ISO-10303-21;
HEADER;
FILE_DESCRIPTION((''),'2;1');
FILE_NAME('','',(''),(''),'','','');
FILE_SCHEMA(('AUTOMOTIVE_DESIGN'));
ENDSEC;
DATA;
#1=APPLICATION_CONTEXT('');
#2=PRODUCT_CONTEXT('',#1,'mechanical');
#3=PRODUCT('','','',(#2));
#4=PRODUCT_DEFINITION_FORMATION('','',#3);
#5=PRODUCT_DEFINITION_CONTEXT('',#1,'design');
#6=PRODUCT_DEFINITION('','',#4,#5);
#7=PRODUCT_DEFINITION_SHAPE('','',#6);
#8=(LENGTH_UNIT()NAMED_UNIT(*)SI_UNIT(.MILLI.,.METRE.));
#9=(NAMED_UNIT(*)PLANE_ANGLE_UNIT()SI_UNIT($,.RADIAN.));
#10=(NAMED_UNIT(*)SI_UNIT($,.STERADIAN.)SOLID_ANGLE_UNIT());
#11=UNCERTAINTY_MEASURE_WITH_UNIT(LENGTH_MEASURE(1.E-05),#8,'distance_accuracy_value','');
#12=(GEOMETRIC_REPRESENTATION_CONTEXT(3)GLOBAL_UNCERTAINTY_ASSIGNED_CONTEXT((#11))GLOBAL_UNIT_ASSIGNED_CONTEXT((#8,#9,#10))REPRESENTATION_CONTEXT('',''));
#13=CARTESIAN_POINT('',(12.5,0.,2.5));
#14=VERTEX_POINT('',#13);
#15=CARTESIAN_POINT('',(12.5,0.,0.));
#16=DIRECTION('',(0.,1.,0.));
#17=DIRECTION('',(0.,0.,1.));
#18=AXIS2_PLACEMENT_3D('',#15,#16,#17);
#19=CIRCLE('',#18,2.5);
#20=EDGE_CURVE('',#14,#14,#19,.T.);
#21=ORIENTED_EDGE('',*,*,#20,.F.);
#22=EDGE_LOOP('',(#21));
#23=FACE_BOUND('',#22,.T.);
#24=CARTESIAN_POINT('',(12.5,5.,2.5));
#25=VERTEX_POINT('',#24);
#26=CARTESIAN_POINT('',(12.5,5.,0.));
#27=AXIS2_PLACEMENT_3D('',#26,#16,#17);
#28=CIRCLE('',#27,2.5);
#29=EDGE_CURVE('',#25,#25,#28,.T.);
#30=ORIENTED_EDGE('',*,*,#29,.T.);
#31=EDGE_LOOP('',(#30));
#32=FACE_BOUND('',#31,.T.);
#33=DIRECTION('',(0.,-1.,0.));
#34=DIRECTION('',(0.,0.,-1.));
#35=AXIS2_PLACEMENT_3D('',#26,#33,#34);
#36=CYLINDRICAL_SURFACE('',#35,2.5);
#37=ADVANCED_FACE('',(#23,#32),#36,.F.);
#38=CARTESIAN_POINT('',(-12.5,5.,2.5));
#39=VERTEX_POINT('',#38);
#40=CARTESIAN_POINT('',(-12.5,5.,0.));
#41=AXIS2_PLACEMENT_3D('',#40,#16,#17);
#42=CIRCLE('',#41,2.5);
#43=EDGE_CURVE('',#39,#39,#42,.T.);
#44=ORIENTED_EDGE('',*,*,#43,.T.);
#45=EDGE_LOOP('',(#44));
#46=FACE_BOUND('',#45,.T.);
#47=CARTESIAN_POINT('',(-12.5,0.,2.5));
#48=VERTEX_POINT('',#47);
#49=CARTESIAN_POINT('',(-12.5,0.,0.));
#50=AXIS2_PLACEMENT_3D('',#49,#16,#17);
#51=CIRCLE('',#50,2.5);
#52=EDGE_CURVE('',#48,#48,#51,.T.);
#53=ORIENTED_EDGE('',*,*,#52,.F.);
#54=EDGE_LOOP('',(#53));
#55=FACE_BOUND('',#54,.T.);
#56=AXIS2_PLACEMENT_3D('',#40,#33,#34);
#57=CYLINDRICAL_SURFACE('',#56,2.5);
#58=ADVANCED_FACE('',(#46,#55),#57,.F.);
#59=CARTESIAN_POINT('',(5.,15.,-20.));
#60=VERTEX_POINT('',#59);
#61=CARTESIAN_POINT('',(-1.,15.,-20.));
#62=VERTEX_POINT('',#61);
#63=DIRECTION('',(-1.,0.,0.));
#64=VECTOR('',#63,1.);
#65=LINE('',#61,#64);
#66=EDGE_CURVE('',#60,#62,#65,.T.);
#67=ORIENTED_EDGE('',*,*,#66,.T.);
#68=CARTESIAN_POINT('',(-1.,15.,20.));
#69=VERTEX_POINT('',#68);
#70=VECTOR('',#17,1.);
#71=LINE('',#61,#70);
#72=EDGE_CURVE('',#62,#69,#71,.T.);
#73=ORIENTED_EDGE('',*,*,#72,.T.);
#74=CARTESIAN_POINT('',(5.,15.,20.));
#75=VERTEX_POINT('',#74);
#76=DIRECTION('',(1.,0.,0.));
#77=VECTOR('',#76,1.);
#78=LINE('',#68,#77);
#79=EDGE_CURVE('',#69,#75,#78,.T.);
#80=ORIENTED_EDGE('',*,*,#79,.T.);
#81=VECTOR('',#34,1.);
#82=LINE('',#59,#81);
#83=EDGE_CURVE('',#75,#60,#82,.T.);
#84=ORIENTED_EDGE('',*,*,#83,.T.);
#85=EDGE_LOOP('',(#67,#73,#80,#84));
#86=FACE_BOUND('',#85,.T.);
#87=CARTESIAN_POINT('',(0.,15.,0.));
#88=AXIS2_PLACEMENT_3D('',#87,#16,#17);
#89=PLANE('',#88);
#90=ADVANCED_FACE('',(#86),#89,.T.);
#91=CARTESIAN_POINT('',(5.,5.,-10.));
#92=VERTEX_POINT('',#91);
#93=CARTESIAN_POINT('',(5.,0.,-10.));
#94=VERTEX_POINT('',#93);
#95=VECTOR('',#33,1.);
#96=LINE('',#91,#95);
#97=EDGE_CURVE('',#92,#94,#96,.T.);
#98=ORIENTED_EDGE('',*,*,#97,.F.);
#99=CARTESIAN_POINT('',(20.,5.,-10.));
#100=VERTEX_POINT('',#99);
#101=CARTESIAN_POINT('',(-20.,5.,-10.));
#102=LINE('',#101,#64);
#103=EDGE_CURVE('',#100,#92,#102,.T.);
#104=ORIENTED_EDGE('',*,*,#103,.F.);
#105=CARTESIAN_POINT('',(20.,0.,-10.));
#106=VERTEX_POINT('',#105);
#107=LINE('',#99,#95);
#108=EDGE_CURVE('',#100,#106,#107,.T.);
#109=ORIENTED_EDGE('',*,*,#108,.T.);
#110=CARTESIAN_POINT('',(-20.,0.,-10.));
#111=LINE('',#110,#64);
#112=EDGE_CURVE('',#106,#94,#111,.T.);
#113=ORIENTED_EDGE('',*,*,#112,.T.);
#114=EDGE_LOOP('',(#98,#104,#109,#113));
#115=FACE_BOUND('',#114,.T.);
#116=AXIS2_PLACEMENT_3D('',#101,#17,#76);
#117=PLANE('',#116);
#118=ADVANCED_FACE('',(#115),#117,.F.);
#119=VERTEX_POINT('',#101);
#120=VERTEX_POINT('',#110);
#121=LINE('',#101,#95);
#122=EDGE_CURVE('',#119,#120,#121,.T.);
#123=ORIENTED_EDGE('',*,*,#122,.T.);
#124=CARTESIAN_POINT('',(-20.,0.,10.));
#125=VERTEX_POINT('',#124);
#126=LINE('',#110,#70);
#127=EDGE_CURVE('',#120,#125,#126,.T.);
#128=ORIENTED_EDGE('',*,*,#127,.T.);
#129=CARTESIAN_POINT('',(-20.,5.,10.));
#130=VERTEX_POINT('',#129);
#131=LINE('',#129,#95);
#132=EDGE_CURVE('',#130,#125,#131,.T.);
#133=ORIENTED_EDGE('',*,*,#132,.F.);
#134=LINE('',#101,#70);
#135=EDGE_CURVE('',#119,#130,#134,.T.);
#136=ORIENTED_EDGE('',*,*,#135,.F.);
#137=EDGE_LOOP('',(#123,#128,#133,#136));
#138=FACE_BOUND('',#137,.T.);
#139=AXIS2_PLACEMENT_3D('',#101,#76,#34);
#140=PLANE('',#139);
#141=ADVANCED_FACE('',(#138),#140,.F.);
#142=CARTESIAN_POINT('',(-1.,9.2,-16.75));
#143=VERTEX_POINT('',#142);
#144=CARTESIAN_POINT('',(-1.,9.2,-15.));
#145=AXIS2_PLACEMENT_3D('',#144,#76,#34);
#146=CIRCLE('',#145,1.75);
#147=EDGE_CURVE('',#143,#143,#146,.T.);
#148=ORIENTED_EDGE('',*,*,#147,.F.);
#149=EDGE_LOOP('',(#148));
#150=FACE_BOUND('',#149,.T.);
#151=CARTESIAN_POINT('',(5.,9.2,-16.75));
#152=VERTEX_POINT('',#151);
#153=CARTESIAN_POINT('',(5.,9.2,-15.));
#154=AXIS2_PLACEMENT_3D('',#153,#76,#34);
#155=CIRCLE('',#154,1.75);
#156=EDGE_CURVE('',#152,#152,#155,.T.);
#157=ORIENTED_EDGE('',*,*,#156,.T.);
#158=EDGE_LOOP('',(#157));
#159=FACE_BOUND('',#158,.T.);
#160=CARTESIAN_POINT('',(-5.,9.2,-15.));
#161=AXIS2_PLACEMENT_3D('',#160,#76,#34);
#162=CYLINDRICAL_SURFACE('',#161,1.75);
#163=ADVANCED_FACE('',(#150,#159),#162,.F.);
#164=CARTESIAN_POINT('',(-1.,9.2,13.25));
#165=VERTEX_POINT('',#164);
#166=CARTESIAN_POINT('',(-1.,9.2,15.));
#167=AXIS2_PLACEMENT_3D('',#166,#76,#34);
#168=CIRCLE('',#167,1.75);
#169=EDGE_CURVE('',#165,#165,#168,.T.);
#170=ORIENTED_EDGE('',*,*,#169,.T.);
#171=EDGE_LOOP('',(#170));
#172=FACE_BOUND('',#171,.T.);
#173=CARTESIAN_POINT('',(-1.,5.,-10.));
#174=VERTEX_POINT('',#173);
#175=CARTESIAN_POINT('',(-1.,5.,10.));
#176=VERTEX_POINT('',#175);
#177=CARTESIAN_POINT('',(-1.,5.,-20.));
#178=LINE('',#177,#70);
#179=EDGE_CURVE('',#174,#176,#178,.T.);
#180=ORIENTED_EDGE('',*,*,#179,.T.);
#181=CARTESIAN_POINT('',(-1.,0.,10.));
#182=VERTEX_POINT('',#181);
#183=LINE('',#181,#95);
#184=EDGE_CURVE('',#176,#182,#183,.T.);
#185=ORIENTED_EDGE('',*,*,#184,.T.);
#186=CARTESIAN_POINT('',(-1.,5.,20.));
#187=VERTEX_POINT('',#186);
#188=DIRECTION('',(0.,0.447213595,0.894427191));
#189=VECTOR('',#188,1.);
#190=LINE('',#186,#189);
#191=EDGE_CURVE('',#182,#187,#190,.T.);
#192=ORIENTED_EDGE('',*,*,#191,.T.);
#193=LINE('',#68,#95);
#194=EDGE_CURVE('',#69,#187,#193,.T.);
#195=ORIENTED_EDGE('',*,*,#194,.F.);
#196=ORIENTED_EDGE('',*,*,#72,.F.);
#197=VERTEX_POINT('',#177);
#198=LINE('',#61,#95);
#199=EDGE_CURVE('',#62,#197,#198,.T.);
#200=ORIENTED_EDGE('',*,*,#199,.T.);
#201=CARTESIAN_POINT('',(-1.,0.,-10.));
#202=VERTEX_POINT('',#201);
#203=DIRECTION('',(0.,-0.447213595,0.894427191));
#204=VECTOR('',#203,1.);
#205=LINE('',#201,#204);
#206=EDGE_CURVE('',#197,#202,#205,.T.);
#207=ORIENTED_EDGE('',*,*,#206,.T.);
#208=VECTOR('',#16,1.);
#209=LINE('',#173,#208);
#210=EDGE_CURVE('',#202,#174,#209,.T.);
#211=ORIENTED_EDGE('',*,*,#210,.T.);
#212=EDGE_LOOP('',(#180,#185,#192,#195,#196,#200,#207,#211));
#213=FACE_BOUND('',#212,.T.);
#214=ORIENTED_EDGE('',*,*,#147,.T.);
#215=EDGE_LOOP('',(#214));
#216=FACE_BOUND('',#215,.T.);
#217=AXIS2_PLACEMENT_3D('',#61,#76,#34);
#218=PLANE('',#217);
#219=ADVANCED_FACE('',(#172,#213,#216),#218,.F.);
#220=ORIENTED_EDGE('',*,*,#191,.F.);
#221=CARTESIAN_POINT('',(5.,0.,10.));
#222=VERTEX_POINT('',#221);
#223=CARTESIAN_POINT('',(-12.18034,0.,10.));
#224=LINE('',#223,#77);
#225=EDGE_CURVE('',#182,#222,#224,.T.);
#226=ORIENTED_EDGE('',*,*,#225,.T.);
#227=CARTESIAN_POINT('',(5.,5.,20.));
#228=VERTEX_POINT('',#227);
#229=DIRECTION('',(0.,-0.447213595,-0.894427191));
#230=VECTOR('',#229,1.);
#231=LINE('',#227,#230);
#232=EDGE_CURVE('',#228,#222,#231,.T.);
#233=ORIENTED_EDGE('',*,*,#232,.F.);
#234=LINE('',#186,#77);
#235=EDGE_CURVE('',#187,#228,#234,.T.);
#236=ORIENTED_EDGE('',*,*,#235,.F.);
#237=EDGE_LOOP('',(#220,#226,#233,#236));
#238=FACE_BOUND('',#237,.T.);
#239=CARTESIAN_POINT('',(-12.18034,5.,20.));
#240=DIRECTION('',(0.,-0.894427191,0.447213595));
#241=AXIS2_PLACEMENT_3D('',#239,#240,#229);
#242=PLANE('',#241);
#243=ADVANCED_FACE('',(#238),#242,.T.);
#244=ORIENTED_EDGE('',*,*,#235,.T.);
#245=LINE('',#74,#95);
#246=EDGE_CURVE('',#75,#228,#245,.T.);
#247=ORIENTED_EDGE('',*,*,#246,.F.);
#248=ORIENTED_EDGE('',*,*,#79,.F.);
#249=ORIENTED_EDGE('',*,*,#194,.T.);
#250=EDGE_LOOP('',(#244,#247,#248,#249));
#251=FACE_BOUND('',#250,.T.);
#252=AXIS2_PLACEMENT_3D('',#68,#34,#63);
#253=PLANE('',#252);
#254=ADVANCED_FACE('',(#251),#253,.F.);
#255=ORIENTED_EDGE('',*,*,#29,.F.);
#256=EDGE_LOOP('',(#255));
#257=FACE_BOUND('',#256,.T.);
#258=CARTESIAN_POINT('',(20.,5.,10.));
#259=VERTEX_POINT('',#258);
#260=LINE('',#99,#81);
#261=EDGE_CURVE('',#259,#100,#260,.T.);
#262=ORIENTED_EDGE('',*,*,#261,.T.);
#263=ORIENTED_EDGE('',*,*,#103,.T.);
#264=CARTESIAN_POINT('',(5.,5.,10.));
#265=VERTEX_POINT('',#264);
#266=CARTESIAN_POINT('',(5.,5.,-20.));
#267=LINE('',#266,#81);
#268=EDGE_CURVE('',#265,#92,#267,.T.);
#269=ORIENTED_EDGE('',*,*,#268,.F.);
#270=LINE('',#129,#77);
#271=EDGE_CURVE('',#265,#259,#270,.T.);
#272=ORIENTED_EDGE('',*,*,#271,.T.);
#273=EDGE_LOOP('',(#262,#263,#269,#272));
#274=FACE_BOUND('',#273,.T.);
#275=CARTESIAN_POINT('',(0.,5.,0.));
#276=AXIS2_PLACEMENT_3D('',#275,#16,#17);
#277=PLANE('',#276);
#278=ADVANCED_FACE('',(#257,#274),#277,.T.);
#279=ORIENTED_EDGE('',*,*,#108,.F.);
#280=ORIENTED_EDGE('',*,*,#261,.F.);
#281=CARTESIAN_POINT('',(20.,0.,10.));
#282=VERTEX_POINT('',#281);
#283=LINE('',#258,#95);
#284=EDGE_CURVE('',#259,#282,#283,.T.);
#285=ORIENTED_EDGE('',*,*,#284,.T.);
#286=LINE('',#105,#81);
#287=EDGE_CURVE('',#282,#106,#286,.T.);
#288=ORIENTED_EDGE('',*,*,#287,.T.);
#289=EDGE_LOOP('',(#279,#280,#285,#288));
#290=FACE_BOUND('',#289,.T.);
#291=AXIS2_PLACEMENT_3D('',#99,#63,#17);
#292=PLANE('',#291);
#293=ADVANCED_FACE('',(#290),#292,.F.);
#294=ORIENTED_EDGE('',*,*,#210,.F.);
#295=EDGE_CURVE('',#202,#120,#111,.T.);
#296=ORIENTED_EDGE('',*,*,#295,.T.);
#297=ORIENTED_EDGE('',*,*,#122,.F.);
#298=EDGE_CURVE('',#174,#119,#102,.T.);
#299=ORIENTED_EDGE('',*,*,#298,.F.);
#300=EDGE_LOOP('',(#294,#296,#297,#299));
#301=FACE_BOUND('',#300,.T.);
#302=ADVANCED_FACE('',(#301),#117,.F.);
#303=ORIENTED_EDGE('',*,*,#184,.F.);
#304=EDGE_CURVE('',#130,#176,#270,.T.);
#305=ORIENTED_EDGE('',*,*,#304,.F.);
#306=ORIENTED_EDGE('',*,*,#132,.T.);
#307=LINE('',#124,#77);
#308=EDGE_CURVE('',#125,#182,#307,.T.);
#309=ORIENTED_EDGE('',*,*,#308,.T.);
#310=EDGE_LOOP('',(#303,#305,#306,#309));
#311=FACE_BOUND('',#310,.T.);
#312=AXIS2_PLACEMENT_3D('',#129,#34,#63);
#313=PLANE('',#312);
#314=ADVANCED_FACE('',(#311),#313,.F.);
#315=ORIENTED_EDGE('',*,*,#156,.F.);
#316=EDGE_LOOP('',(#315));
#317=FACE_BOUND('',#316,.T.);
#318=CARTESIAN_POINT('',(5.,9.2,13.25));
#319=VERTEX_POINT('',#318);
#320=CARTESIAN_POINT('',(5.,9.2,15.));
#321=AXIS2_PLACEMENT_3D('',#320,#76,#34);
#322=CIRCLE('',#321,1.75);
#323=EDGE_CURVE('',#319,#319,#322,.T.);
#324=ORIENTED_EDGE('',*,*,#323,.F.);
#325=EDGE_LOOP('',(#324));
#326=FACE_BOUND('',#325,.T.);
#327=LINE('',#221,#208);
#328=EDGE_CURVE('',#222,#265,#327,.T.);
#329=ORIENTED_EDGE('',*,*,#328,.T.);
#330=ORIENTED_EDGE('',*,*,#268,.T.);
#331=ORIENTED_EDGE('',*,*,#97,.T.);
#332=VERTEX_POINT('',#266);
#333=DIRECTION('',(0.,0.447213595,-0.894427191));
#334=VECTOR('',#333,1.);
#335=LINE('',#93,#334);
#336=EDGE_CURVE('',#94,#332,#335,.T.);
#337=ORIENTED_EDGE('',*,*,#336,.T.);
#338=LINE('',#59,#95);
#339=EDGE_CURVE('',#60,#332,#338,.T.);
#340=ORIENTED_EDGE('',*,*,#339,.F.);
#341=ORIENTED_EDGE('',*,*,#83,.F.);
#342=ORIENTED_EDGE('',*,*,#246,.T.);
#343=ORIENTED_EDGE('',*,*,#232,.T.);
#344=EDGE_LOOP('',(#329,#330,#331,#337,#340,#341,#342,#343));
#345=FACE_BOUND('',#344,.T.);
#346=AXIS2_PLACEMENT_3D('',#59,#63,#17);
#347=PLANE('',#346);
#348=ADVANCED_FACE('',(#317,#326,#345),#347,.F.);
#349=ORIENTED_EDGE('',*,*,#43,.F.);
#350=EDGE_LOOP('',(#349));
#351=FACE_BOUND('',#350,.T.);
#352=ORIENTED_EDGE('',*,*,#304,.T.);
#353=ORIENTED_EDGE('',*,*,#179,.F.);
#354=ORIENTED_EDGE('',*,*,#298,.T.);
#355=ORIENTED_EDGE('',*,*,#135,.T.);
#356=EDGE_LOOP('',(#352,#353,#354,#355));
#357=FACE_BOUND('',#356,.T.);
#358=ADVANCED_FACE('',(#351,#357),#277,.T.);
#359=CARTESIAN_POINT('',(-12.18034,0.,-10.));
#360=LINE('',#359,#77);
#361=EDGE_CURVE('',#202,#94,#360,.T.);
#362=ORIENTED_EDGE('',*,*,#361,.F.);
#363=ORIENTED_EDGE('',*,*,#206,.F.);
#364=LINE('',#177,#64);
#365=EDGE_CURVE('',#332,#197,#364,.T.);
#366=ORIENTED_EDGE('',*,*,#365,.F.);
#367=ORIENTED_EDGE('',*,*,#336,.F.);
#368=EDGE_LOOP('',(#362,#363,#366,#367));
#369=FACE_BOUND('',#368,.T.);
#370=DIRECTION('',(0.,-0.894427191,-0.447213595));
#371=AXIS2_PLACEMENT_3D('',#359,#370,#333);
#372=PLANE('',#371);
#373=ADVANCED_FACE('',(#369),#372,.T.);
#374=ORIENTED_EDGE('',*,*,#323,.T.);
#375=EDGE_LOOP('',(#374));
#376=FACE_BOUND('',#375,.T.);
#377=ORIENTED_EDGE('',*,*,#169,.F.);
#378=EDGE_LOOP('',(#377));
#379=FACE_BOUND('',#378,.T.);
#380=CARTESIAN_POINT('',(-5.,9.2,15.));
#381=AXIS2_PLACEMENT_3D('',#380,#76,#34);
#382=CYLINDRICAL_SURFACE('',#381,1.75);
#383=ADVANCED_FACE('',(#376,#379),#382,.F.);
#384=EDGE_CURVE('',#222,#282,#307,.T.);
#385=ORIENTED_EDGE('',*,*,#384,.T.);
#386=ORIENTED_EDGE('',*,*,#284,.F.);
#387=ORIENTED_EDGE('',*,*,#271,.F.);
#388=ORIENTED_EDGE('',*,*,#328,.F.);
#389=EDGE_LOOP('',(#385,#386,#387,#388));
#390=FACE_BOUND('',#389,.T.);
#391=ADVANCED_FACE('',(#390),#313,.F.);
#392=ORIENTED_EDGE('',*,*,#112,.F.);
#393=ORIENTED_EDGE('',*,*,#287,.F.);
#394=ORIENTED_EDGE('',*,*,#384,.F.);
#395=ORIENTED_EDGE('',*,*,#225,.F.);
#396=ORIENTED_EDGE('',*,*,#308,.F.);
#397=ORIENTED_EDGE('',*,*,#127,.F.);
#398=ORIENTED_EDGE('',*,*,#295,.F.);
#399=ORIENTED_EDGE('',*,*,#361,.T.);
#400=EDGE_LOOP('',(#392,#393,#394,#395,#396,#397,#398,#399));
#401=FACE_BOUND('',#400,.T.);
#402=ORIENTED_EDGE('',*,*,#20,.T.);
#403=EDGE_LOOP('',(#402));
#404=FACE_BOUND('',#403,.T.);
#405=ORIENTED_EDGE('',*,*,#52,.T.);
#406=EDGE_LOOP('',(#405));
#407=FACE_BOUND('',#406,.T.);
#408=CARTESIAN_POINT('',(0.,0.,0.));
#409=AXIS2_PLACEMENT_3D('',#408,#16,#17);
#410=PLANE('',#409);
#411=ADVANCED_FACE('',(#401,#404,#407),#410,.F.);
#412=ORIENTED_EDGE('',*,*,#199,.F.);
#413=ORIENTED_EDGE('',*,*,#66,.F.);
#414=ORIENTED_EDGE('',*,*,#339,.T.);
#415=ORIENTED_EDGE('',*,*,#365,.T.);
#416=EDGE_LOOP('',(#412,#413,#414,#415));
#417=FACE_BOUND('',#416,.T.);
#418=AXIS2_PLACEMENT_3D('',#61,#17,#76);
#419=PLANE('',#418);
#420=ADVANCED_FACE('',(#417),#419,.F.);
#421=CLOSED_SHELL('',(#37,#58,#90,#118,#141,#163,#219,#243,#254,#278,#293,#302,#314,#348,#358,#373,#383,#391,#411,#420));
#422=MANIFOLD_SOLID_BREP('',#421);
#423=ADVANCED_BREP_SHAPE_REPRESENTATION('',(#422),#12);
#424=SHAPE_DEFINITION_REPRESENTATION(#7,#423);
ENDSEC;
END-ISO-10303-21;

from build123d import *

# Parameters (mm, degrees)
SKETCH_1_W          = 40
SKETCH_1_H          = 20
SKETCH_1_R          = 2.5
EXTRUDE_1_DEPTH     = 5
SKETCH_2_W          = 6
SKETCH_2_H          = 40
EXTRUDE_2_DEPTH     = 10
SKETCH_3_R          = 1.75
CUT_EXTRUDE_1_DEPTH = 10
EXTRUDE_3_DEPTH     = 6


with BuildPart() as part:
    # 草图1 → 凸台-拉伸1 (new body)
    with BuildSketch(Plane(origin=(0, 0, 0), x_dir=(1, 0, 0), z_dir=(0, 1, 0))):
        Rectangle(SKETCH_1_W, SKETCH_1_H)
        with Locations(Location((-12.5, 0, 0), (0, 0, 270))):
            Circle(SKETCH_1_R, mode=Mode.SUBTRACT)
        with Locations(Location((12.5, 0, 0), (0, 0, 270))):
            Circle(SKETCH_1_R, mode=Mode.SUBTRACT)
    extrude(amount=EXTRUDE_1_DEPTH)

    # 草图2 → 凸台-拉伸2 (add)
    with BuildSketch(Plane(origin=(0, 5, 0), x_dir=(1, 0, 0), z_dir=(0, 1, 0))):
        with Locations((2, 0)):
            Rectangle(SKETCH_2_W, SKETCH_2_H)
    extrude(amount=EXTRUDE_2_DEPTH)

    # 草图3 → 切除-拉伸1 (cut)
    with BuildSketch(Plane(origin=(5, 0, 0), x_dir=(0, 0, -1), z_dir=(1, 0, 0))):
        with Locations((-15, 9.2)):
            Circle(SKETCH_3_R)
        with Locations((15, 9.2)):
            Circle(SKETCH_3_R)
    extrude(amount=-CUT_EXTRUDE_1_DEPTH, mode=Mode.SUBTRACT)

    # 草图4 → 凸台-拉伸3 (add)
    with BuildSketch(Plane(origin=(5, 0, 0), x_dir=(0, 0, -1), z_dir=(1, 0, 0))):
        Polygon((-20, 5), (-10, 0), (-10, 5), align=None)
        Polygon((10, 5), (10, 0), (20, 5), align=None)
    extrude(amount=-EXTRUDE_3_DEPTH)


solid = part.part
